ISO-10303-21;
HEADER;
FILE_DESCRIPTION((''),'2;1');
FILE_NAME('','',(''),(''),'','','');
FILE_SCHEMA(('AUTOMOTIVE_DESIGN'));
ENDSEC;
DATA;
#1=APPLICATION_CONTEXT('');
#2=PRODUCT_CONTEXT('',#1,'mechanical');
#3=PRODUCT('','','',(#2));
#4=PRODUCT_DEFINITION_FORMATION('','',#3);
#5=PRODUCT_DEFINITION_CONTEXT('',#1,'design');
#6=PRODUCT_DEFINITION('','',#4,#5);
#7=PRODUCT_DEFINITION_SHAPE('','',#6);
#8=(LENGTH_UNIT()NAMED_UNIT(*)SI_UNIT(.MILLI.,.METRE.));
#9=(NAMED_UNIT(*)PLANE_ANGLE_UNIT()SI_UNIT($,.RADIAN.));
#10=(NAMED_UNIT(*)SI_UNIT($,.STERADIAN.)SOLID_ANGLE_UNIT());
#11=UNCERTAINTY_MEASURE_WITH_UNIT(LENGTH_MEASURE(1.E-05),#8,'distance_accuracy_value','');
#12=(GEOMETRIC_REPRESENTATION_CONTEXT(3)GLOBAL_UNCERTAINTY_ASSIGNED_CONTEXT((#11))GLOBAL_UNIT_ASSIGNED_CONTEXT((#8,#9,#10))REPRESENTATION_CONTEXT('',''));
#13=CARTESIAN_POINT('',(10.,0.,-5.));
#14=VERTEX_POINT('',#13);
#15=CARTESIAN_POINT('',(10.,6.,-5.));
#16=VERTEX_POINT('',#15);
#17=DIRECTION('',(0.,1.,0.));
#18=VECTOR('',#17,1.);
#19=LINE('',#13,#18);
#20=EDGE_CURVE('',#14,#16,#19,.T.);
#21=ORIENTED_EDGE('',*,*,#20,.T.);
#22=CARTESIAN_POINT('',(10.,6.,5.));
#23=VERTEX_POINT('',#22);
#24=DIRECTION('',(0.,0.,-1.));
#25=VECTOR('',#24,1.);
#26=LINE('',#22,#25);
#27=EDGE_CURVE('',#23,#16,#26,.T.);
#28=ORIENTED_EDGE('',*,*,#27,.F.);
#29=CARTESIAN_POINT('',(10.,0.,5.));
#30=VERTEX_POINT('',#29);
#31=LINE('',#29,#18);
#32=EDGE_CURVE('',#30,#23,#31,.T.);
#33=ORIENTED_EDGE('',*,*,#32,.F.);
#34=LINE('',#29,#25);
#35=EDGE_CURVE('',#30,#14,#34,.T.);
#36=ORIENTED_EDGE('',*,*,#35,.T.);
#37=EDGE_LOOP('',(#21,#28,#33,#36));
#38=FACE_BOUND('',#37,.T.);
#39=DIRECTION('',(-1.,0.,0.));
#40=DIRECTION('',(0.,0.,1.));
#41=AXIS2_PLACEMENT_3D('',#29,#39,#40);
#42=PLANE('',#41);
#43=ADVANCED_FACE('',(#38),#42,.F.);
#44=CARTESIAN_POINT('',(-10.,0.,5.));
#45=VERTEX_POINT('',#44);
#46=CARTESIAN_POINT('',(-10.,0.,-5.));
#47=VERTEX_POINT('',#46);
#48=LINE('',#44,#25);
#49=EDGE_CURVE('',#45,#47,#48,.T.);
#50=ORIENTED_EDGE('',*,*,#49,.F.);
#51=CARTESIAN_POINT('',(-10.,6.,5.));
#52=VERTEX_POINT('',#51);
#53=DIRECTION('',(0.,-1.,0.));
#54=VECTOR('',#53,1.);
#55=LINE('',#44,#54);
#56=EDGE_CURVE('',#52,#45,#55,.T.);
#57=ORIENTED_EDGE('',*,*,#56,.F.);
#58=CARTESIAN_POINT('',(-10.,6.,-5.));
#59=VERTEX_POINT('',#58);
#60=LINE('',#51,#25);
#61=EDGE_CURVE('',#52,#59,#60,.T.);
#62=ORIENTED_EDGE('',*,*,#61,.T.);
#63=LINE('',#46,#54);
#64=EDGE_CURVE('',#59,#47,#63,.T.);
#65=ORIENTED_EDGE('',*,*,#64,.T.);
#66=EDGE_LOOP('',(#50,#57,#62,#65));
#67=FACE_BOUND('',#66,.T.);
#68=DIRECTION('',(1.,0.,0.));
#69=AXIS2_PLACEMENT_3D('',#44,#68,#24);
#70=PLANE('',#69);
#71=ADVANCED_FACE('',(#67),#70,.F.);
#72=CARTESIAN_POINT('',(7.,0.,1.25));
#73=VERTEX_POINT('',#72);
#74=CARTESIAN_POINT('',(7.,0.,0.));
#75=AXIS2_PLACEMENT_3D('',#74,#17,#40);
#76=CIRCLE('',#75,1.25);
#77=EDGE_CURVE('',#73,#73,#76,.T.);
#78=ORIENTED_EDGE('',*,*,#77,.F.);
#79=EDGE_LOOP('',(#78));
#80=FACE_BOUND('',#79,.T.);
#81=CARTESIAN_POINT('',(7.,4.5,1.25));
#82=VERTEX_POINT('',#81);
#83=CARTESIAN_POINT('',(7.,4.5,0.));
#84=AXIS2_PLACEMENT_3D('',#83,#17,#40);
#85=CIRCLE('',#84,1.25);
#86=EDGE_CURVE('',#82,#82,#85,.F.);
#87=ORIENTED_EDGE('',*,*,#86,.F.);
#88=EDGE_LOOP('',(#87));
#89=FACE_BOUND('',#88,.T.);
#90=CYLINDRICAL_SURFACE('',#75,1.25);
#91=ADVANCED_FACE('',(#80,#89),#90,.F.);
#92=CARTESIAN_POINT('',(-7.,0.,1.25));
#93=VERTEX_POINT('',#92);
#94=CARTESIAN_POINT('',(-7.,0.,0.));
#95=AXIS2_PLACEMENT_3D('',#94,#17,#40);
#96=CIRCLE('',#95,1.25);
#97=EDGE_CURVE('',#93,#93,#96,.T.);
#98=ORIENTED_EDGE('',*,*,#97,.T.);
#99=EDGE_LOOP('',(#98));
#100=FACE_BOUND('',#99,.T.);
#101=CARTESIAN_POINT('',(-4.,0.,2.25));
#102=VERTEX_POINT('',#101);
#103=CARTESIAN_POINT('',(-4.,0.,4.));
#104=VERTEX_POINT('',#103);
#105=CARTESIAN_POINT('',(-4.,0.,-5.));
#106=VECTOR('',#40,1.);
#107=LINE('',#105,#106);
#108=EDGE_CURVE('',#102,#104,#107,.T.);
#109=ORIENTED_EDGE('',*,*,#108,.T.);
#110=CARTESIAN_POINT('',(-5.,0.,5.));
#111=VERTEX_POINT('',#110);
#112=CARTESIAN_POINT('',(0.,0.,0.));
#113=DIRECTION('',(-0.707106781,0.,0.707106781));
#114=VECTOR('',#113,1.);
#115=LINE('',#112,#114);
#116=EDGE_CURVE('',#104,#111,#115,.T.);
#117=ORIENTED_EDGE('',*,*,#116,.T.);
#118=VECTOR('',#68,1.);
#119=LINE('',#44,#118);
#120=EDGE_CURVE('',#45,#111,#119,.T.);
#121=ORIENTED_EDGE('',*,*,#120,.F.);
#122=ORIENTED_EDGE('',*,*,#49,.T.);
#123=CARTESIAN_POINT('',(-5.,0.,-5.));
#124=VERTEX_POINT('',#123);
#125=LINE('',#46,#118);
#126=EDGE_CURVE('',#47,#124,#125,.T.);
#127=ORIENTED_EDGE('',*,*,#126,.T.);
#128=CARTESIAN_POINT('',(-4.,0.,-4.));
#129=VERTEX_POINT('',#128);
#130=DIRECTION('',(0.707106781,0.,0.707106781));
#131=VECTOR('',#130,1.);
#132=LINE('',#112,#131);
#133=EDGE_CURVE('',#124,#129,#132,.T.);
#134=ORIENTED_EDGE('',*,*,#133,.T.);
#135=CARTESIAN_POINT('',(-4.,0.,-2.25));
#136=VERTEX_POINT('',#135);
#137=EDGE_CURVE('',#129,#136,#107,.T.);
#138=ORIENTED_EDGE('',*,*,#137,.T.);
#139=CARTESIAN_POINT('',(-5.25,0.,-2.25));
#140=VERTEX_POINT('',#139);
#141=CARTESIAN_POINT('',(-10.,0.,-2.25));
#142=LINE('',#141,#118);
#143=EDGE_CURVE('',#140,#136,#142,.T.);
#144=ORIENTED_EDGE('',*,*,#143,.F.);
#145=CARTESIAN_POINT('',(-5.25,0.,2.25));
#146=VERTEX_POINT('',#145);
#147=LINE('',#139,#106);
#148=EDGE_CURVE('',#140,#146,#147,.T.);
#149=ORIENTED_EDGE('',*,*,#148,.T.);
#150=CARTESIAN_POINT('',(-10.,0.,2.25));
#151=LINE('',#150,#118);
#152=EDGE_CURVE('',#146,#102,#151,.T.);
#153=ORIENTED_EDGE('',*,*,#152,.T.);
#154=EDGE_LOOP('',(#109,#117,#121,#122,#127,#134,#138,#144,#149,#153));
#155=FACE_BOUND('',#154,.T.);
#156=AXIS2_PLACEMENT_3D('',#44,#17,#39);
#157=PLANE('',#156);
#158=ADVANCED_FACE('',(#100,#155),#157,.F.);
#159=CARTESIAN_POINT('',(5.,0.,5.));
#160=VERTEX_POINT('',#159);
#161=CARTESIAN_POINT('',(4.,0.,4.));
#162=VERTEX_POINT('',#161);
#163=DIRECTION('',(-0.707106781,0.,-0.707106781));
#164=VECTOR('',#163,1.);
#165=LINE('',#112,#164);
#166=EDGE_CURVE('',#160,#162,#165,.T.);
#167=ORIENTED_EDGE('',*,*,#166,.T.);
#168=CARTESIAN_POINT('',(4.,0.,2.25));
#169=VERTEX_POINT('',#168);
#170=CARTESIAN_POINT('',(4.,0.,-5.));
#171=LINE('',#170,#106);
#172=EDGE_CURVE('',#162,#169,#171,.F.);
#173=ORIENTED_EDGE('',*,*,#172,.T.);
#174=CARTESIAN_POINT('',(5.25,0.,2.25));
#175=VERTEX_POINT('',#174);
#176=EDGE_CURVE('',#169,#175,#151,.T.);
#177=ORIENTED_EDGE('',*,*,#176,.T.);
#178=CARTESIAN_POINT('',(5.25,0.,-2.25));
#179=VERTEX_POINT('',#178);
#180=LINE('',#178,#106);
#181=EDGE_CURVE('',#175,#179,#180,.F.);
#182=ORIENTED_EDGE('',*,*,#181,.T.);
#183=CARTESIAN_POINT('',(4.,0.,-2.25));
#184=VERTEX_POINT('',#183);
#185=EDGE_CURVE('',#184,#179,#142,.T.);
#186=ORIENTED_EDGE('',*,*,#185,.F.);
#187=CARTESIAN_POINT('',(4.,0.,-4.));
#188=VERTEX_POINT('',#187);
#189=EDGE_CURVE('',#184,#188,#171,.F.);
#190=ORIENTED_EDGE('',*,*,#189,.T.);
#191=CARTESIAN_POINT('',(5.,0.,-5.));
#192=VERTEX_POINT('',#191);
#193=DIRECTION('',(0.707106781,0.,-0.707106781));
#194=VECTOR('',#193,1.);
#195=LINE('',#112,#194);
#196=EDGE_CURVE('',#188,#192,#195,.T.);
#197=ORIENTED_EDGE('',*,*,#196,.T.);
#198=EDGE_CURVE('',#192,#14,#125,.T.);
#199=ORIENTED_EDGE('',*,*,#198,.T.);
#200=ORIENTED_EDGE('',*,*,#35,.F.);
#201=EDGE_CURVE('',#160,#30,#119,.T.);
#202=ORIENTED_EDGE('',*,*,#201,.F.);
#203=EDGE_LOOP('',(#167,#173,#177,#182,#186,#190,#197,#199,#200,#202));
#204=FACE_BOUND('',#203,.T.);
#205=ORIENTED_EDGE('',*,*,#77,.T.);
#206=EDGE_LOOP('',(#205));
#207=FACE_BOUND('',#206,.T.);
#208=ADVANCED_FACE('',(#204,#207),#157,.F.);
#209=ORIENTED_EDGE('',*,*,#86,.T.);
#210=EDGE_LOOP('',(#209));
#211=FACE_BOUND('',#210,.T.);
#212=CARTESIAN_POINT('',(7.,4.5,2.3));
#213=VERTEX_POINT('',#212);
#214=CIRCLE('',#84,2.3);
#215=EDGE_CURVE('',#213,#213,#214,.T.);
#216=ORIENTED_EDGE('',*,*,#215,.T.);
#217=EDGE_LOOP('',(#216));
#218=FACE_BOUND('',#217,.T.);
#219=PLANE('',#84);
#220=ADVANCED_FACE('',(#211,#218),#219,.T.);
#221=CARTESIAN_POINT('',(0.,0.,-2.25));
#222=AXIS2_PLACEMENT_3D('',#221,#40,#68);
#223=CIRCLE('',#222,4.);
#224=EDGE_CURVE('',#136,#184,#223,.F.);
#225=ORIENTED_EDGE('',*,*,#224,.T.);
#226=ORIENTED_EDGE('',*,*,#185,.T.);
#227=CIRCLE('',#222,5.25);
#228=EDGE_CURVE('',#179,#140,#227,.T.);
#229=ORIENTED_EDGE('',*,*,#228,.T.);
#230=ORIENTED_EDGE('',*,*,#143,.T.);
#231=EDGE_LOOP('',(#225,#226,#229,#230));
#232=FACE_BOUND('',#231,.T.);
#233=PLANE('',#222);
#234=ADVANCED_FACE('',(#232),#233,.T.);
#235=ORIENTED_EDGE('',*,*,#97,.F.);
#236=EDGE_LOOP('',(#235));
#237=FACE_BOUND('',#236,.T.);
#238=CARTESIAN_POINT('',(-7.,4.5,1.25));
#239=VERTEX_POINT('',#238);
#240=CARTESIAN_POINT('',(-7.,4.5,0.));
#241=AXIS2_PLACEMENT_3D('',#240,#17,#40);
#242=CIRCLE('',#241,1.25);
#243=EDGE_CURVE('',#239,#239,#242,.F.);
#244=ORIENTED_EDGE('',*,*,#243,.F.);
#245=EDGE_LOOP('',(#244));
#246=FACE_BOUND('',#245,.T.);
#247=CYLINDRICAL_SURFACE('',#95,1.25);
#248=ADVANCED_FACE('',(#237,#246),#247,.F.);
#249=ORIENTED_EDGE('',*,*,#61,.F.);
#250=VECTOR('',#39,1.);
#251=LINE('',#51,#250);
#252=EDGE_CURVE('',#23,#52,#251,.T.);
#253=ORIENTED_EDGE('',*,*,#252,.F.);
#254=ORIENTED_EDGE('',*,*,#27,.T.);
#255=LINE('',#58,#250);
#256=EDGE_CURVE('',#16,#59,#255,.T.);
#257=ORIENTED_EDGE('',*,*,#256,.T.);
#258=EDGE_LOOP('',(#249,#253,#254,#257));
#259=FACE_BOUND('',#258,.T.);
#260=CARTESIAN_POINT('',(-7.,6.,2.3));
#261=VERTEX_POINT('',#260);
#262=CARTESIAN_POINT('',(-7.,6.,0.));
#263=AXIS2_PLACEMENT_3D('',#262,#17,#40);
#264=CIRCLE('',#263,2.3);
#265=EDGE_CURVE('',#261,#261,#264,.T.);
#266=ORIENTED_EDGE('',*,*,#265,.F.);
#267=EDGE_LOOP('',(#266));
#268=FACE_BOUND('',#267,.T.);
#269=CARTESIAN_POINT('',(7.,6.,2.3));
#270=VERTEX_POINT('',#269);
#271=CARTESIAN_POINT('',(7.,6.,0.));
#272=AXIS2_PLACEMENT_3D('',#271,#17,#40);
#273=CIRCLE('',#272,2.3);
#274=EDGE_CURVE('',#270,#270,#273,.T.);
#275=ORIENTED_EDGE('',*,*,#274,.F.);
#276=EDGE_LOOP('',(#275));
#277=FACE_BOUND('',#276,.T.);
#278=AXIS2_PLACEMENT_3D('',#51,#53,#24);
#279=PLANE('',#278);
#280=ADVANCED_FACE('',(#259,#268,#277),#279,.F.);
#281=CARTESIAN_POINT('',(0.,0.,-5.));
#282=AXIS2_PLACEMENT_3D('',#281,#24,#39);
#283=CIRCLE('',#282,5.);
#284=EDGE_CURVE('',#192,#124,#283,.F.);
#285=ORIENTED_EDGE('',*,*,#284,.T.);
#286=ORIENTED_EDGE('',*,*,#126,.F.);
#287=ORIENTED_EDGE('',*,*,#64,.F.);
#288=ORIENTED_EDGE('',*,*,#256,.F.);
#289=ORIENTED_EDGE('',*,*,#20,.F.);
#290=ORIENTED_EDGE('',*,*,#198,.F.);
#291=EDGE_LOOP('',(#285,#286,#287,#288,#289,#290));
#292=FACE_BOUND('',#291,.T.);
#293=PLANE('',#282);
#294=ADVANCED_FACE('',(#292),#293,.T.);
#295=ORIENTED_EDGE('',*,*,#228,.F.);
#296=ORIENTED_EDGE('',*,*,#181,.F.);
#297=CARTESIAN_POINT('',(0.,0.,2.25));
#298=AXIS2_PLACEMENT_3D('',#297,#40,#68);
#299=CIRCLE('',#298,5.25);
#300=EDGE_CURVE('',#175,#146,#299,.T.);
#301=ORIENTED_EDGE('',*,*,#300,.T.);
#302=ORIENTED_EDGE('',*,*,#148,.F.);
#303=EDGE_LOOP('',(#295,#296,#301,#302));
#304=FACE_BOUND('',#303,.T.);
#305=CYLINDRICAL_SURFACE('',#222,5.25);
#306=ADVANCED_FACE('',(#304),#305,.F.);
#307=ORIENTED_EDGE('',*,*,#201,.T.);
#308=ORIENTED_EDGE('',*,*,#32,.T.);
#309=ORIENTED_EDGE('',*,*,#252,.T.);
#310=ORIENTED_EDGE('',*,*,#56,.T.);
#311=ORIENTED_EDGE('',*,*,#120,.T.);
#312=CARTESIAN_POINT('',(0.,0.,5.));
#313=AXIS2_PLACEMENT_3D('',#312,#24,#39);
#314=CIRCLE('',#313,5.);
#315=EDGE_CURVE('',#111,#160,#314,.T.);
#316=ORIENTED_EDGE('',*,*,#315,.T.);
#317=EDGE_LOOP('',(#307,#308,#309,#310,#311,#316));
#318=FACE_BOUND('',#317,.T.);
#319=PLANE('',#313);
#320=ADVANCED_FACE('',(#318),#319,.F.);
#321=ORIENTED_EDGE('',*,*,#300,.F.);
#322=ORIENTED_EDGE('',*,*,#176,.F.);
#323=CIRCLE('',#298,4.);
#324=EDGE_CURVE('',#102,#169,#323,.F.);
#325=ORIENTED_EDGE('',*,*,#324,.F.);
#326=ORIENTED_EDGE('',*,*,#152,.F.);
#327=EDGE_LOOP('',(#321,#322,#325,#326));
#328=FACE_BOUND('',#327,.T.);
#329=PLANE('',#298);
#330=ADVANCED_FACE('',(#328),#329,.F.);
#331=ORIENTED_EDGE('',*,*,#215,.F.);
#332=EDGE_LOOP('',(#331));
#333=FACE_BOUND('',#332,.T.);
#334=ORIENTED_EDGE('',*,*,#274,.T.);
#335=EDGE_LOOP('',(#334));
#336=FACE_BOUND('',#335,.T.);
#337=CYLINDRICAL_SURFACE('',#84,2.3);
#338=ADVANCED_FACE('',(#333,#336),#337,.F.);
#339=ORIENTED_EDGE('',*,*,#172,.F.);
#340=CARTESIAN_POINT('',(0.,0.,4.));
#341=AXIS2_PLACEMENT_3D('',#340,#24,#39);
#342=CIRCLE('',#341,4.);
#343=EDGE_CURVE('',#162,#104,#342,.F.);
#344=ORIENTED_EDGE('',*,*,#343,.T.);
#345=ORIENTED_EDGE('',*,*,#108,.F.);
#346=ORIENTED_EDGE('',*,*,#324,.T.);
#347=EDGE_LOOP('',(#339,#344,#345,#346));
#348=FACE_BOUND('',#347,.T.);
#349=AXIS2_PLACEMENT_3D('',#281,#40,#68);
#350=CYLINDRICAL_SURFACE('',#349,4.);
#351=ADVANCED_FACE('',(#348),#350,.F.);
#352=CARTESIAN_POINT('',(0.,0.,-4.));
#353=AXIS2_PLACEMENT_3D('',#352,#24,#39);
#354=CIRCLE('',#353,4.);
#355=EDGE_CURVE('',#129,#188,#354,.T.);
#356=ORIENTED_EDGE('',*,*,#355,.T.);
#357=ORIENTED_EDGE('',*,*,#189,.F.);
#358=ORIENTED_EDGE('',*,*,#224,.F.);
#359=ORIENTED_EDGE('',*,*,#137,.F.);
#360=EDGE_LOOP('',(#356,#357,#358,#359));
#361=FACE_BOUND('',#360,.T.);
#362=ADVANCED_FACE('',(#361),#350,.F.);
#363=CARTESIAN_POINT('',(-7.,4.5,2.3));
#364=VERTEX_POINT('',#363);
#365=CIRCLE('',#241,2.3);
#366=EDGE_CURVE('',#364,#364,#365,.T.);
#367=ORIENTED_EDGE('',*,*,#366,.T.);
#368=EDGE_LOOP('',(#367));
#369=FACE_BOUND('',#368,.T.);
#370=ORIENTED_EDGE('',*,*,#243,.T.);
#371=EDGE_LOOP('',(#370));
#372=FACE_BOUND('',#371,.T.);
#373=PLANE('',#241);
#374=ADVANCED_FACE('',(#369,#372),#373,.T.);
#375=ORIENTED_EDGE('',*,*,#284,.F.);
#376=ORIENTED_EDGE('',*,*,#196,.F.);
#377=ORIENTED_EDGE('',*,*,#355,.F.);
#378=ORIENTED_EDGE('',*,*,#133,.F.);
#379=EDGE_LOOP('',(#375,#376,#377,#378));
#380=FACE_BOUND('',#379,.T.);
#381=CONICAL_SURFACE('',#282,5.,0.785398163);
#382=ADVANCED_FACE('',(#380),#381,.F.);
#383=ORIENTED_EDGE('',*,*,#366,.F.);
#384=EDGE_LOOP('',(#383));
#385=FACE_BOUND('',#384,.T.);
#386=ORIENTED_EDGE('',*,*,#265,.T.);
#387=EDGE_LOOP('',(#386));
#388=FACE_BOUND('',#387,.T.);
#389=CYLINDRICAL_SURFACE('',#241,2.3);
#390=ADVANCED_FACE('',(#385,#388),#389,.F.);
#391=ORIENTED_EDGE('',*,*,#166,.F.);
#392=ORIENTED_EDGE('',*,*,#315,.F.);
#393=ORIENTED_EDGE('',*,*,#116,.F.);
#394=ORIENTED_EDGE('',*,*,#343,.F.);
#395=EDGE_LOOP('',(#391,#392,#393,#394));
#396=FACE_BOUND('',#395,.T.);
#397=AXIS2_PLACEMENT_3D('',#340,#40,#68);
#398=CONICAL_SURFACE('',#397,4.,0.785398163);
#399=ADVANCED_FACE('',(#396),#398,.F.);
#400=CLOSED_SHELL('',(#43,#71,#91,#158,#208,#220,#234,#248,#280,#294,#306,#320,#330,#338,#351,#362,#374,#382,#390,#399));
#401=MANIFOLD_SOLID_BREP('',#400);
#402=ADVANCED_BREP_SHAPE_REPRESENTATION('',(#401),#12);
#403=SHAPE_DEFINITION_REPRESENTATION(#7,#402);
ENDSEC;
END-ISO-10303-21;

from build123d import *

# Parameters (mm, degrees)
SKETCH_2_W             = 20
SKETCH_2_H             = 6
EXTRUDE_379_DEPTH      = 5
SKETCH_3_R             = 4
CUT_EXTRUDE_526_DEPTH  = 16.362291496
SKETCH_4_R             = 5.25
CUT_EXTRUDE_602_DEPTH  = 2.25
SKETCH_5_R             = 1.25
CUT_EXTRUDE_755_DEPTH  = 13.68857754
CHAMFER_2_SIZE         = 1
SKETCH_6_R             = 2.3
CUT_EXTRUDE_1018_DEPTH = 1.5


with BuildPart() as part:
    # Эскиз2 → Extrude 379 (new, symmetric)
    with BuildSketch(Plane.XY):
        with Locations((0, 3)):
            Rectangle(SKETCH_2_W, SKETCH_2_H)
    extrude(amount=EXTRUDE_379_DEPTH, both=True)

    # Эскиз3 → Cut-Extrude 526 (cut, through all)
    with BuildSketch(Plane.XY.offset(5)):
        Circle(SKETCH_3_R)
    extrude(amount=-CUT_EXTRUDE_526_DEPTH, mode=Mode.SUBTRACT)

    # Эскиз4 → Cut-Extrude 602 (cut, symmetric)
    with BuildSketch(Plane.XY):
        Circle(SKETCH_4_R)
    extrude(amount=CUT_EXTRUDE_602_DEPTH, both=True, mode=Mode.SUBTRACT)

    # Эскиз5 → Cut-Extrude 755 (cut, through all)
    with BuildSketch(Plane(origin=(0, 6, 0), x_dir=(1, 0, 0), z_dir=(0, 1, 0))):
        with Locations(Location((-7, 0, 0), (0, 0, 270))):
            Circle(SKETCH_5_R)
        with Locations(Location((7, 0, 0), (0, 0, 270))):
            Circle(SKETCH_5_R)
    extrude(amount=-CUT_EXTRUDE_755_DEPTH, mode=Mode.SUBTRACT)

    # Фаска2
    chamfer_2_edges = [part.edges().sort_by_distance(p)[0] for p in [
        (0, 4, 5),
        (0, 4, -5),
    ]]
    chamfer(chamfer_2_edges, length=CHAMFER_2_SIZE)

    # Эскиз6 → Cut-Extrude 1018 (cut)
    with BuildSketch(Plane(origin=(0, 6, 0), x_dir=(1, 0, 0), z_dir=(0, 1, 0))):
        with Locations(Location((-7, 0, 0), (0, 0, 270))):
            Circle(SKETCH_6_R)
        with Locations(Location((7, 0, 0), (0, 0, 270))):
            Circle(SKETCH_6_R)
    extrude(amount=-CUT_EXTRUDE_1018_DEPTH, mode=Mode.SUBTRACT)


solid = part.part
